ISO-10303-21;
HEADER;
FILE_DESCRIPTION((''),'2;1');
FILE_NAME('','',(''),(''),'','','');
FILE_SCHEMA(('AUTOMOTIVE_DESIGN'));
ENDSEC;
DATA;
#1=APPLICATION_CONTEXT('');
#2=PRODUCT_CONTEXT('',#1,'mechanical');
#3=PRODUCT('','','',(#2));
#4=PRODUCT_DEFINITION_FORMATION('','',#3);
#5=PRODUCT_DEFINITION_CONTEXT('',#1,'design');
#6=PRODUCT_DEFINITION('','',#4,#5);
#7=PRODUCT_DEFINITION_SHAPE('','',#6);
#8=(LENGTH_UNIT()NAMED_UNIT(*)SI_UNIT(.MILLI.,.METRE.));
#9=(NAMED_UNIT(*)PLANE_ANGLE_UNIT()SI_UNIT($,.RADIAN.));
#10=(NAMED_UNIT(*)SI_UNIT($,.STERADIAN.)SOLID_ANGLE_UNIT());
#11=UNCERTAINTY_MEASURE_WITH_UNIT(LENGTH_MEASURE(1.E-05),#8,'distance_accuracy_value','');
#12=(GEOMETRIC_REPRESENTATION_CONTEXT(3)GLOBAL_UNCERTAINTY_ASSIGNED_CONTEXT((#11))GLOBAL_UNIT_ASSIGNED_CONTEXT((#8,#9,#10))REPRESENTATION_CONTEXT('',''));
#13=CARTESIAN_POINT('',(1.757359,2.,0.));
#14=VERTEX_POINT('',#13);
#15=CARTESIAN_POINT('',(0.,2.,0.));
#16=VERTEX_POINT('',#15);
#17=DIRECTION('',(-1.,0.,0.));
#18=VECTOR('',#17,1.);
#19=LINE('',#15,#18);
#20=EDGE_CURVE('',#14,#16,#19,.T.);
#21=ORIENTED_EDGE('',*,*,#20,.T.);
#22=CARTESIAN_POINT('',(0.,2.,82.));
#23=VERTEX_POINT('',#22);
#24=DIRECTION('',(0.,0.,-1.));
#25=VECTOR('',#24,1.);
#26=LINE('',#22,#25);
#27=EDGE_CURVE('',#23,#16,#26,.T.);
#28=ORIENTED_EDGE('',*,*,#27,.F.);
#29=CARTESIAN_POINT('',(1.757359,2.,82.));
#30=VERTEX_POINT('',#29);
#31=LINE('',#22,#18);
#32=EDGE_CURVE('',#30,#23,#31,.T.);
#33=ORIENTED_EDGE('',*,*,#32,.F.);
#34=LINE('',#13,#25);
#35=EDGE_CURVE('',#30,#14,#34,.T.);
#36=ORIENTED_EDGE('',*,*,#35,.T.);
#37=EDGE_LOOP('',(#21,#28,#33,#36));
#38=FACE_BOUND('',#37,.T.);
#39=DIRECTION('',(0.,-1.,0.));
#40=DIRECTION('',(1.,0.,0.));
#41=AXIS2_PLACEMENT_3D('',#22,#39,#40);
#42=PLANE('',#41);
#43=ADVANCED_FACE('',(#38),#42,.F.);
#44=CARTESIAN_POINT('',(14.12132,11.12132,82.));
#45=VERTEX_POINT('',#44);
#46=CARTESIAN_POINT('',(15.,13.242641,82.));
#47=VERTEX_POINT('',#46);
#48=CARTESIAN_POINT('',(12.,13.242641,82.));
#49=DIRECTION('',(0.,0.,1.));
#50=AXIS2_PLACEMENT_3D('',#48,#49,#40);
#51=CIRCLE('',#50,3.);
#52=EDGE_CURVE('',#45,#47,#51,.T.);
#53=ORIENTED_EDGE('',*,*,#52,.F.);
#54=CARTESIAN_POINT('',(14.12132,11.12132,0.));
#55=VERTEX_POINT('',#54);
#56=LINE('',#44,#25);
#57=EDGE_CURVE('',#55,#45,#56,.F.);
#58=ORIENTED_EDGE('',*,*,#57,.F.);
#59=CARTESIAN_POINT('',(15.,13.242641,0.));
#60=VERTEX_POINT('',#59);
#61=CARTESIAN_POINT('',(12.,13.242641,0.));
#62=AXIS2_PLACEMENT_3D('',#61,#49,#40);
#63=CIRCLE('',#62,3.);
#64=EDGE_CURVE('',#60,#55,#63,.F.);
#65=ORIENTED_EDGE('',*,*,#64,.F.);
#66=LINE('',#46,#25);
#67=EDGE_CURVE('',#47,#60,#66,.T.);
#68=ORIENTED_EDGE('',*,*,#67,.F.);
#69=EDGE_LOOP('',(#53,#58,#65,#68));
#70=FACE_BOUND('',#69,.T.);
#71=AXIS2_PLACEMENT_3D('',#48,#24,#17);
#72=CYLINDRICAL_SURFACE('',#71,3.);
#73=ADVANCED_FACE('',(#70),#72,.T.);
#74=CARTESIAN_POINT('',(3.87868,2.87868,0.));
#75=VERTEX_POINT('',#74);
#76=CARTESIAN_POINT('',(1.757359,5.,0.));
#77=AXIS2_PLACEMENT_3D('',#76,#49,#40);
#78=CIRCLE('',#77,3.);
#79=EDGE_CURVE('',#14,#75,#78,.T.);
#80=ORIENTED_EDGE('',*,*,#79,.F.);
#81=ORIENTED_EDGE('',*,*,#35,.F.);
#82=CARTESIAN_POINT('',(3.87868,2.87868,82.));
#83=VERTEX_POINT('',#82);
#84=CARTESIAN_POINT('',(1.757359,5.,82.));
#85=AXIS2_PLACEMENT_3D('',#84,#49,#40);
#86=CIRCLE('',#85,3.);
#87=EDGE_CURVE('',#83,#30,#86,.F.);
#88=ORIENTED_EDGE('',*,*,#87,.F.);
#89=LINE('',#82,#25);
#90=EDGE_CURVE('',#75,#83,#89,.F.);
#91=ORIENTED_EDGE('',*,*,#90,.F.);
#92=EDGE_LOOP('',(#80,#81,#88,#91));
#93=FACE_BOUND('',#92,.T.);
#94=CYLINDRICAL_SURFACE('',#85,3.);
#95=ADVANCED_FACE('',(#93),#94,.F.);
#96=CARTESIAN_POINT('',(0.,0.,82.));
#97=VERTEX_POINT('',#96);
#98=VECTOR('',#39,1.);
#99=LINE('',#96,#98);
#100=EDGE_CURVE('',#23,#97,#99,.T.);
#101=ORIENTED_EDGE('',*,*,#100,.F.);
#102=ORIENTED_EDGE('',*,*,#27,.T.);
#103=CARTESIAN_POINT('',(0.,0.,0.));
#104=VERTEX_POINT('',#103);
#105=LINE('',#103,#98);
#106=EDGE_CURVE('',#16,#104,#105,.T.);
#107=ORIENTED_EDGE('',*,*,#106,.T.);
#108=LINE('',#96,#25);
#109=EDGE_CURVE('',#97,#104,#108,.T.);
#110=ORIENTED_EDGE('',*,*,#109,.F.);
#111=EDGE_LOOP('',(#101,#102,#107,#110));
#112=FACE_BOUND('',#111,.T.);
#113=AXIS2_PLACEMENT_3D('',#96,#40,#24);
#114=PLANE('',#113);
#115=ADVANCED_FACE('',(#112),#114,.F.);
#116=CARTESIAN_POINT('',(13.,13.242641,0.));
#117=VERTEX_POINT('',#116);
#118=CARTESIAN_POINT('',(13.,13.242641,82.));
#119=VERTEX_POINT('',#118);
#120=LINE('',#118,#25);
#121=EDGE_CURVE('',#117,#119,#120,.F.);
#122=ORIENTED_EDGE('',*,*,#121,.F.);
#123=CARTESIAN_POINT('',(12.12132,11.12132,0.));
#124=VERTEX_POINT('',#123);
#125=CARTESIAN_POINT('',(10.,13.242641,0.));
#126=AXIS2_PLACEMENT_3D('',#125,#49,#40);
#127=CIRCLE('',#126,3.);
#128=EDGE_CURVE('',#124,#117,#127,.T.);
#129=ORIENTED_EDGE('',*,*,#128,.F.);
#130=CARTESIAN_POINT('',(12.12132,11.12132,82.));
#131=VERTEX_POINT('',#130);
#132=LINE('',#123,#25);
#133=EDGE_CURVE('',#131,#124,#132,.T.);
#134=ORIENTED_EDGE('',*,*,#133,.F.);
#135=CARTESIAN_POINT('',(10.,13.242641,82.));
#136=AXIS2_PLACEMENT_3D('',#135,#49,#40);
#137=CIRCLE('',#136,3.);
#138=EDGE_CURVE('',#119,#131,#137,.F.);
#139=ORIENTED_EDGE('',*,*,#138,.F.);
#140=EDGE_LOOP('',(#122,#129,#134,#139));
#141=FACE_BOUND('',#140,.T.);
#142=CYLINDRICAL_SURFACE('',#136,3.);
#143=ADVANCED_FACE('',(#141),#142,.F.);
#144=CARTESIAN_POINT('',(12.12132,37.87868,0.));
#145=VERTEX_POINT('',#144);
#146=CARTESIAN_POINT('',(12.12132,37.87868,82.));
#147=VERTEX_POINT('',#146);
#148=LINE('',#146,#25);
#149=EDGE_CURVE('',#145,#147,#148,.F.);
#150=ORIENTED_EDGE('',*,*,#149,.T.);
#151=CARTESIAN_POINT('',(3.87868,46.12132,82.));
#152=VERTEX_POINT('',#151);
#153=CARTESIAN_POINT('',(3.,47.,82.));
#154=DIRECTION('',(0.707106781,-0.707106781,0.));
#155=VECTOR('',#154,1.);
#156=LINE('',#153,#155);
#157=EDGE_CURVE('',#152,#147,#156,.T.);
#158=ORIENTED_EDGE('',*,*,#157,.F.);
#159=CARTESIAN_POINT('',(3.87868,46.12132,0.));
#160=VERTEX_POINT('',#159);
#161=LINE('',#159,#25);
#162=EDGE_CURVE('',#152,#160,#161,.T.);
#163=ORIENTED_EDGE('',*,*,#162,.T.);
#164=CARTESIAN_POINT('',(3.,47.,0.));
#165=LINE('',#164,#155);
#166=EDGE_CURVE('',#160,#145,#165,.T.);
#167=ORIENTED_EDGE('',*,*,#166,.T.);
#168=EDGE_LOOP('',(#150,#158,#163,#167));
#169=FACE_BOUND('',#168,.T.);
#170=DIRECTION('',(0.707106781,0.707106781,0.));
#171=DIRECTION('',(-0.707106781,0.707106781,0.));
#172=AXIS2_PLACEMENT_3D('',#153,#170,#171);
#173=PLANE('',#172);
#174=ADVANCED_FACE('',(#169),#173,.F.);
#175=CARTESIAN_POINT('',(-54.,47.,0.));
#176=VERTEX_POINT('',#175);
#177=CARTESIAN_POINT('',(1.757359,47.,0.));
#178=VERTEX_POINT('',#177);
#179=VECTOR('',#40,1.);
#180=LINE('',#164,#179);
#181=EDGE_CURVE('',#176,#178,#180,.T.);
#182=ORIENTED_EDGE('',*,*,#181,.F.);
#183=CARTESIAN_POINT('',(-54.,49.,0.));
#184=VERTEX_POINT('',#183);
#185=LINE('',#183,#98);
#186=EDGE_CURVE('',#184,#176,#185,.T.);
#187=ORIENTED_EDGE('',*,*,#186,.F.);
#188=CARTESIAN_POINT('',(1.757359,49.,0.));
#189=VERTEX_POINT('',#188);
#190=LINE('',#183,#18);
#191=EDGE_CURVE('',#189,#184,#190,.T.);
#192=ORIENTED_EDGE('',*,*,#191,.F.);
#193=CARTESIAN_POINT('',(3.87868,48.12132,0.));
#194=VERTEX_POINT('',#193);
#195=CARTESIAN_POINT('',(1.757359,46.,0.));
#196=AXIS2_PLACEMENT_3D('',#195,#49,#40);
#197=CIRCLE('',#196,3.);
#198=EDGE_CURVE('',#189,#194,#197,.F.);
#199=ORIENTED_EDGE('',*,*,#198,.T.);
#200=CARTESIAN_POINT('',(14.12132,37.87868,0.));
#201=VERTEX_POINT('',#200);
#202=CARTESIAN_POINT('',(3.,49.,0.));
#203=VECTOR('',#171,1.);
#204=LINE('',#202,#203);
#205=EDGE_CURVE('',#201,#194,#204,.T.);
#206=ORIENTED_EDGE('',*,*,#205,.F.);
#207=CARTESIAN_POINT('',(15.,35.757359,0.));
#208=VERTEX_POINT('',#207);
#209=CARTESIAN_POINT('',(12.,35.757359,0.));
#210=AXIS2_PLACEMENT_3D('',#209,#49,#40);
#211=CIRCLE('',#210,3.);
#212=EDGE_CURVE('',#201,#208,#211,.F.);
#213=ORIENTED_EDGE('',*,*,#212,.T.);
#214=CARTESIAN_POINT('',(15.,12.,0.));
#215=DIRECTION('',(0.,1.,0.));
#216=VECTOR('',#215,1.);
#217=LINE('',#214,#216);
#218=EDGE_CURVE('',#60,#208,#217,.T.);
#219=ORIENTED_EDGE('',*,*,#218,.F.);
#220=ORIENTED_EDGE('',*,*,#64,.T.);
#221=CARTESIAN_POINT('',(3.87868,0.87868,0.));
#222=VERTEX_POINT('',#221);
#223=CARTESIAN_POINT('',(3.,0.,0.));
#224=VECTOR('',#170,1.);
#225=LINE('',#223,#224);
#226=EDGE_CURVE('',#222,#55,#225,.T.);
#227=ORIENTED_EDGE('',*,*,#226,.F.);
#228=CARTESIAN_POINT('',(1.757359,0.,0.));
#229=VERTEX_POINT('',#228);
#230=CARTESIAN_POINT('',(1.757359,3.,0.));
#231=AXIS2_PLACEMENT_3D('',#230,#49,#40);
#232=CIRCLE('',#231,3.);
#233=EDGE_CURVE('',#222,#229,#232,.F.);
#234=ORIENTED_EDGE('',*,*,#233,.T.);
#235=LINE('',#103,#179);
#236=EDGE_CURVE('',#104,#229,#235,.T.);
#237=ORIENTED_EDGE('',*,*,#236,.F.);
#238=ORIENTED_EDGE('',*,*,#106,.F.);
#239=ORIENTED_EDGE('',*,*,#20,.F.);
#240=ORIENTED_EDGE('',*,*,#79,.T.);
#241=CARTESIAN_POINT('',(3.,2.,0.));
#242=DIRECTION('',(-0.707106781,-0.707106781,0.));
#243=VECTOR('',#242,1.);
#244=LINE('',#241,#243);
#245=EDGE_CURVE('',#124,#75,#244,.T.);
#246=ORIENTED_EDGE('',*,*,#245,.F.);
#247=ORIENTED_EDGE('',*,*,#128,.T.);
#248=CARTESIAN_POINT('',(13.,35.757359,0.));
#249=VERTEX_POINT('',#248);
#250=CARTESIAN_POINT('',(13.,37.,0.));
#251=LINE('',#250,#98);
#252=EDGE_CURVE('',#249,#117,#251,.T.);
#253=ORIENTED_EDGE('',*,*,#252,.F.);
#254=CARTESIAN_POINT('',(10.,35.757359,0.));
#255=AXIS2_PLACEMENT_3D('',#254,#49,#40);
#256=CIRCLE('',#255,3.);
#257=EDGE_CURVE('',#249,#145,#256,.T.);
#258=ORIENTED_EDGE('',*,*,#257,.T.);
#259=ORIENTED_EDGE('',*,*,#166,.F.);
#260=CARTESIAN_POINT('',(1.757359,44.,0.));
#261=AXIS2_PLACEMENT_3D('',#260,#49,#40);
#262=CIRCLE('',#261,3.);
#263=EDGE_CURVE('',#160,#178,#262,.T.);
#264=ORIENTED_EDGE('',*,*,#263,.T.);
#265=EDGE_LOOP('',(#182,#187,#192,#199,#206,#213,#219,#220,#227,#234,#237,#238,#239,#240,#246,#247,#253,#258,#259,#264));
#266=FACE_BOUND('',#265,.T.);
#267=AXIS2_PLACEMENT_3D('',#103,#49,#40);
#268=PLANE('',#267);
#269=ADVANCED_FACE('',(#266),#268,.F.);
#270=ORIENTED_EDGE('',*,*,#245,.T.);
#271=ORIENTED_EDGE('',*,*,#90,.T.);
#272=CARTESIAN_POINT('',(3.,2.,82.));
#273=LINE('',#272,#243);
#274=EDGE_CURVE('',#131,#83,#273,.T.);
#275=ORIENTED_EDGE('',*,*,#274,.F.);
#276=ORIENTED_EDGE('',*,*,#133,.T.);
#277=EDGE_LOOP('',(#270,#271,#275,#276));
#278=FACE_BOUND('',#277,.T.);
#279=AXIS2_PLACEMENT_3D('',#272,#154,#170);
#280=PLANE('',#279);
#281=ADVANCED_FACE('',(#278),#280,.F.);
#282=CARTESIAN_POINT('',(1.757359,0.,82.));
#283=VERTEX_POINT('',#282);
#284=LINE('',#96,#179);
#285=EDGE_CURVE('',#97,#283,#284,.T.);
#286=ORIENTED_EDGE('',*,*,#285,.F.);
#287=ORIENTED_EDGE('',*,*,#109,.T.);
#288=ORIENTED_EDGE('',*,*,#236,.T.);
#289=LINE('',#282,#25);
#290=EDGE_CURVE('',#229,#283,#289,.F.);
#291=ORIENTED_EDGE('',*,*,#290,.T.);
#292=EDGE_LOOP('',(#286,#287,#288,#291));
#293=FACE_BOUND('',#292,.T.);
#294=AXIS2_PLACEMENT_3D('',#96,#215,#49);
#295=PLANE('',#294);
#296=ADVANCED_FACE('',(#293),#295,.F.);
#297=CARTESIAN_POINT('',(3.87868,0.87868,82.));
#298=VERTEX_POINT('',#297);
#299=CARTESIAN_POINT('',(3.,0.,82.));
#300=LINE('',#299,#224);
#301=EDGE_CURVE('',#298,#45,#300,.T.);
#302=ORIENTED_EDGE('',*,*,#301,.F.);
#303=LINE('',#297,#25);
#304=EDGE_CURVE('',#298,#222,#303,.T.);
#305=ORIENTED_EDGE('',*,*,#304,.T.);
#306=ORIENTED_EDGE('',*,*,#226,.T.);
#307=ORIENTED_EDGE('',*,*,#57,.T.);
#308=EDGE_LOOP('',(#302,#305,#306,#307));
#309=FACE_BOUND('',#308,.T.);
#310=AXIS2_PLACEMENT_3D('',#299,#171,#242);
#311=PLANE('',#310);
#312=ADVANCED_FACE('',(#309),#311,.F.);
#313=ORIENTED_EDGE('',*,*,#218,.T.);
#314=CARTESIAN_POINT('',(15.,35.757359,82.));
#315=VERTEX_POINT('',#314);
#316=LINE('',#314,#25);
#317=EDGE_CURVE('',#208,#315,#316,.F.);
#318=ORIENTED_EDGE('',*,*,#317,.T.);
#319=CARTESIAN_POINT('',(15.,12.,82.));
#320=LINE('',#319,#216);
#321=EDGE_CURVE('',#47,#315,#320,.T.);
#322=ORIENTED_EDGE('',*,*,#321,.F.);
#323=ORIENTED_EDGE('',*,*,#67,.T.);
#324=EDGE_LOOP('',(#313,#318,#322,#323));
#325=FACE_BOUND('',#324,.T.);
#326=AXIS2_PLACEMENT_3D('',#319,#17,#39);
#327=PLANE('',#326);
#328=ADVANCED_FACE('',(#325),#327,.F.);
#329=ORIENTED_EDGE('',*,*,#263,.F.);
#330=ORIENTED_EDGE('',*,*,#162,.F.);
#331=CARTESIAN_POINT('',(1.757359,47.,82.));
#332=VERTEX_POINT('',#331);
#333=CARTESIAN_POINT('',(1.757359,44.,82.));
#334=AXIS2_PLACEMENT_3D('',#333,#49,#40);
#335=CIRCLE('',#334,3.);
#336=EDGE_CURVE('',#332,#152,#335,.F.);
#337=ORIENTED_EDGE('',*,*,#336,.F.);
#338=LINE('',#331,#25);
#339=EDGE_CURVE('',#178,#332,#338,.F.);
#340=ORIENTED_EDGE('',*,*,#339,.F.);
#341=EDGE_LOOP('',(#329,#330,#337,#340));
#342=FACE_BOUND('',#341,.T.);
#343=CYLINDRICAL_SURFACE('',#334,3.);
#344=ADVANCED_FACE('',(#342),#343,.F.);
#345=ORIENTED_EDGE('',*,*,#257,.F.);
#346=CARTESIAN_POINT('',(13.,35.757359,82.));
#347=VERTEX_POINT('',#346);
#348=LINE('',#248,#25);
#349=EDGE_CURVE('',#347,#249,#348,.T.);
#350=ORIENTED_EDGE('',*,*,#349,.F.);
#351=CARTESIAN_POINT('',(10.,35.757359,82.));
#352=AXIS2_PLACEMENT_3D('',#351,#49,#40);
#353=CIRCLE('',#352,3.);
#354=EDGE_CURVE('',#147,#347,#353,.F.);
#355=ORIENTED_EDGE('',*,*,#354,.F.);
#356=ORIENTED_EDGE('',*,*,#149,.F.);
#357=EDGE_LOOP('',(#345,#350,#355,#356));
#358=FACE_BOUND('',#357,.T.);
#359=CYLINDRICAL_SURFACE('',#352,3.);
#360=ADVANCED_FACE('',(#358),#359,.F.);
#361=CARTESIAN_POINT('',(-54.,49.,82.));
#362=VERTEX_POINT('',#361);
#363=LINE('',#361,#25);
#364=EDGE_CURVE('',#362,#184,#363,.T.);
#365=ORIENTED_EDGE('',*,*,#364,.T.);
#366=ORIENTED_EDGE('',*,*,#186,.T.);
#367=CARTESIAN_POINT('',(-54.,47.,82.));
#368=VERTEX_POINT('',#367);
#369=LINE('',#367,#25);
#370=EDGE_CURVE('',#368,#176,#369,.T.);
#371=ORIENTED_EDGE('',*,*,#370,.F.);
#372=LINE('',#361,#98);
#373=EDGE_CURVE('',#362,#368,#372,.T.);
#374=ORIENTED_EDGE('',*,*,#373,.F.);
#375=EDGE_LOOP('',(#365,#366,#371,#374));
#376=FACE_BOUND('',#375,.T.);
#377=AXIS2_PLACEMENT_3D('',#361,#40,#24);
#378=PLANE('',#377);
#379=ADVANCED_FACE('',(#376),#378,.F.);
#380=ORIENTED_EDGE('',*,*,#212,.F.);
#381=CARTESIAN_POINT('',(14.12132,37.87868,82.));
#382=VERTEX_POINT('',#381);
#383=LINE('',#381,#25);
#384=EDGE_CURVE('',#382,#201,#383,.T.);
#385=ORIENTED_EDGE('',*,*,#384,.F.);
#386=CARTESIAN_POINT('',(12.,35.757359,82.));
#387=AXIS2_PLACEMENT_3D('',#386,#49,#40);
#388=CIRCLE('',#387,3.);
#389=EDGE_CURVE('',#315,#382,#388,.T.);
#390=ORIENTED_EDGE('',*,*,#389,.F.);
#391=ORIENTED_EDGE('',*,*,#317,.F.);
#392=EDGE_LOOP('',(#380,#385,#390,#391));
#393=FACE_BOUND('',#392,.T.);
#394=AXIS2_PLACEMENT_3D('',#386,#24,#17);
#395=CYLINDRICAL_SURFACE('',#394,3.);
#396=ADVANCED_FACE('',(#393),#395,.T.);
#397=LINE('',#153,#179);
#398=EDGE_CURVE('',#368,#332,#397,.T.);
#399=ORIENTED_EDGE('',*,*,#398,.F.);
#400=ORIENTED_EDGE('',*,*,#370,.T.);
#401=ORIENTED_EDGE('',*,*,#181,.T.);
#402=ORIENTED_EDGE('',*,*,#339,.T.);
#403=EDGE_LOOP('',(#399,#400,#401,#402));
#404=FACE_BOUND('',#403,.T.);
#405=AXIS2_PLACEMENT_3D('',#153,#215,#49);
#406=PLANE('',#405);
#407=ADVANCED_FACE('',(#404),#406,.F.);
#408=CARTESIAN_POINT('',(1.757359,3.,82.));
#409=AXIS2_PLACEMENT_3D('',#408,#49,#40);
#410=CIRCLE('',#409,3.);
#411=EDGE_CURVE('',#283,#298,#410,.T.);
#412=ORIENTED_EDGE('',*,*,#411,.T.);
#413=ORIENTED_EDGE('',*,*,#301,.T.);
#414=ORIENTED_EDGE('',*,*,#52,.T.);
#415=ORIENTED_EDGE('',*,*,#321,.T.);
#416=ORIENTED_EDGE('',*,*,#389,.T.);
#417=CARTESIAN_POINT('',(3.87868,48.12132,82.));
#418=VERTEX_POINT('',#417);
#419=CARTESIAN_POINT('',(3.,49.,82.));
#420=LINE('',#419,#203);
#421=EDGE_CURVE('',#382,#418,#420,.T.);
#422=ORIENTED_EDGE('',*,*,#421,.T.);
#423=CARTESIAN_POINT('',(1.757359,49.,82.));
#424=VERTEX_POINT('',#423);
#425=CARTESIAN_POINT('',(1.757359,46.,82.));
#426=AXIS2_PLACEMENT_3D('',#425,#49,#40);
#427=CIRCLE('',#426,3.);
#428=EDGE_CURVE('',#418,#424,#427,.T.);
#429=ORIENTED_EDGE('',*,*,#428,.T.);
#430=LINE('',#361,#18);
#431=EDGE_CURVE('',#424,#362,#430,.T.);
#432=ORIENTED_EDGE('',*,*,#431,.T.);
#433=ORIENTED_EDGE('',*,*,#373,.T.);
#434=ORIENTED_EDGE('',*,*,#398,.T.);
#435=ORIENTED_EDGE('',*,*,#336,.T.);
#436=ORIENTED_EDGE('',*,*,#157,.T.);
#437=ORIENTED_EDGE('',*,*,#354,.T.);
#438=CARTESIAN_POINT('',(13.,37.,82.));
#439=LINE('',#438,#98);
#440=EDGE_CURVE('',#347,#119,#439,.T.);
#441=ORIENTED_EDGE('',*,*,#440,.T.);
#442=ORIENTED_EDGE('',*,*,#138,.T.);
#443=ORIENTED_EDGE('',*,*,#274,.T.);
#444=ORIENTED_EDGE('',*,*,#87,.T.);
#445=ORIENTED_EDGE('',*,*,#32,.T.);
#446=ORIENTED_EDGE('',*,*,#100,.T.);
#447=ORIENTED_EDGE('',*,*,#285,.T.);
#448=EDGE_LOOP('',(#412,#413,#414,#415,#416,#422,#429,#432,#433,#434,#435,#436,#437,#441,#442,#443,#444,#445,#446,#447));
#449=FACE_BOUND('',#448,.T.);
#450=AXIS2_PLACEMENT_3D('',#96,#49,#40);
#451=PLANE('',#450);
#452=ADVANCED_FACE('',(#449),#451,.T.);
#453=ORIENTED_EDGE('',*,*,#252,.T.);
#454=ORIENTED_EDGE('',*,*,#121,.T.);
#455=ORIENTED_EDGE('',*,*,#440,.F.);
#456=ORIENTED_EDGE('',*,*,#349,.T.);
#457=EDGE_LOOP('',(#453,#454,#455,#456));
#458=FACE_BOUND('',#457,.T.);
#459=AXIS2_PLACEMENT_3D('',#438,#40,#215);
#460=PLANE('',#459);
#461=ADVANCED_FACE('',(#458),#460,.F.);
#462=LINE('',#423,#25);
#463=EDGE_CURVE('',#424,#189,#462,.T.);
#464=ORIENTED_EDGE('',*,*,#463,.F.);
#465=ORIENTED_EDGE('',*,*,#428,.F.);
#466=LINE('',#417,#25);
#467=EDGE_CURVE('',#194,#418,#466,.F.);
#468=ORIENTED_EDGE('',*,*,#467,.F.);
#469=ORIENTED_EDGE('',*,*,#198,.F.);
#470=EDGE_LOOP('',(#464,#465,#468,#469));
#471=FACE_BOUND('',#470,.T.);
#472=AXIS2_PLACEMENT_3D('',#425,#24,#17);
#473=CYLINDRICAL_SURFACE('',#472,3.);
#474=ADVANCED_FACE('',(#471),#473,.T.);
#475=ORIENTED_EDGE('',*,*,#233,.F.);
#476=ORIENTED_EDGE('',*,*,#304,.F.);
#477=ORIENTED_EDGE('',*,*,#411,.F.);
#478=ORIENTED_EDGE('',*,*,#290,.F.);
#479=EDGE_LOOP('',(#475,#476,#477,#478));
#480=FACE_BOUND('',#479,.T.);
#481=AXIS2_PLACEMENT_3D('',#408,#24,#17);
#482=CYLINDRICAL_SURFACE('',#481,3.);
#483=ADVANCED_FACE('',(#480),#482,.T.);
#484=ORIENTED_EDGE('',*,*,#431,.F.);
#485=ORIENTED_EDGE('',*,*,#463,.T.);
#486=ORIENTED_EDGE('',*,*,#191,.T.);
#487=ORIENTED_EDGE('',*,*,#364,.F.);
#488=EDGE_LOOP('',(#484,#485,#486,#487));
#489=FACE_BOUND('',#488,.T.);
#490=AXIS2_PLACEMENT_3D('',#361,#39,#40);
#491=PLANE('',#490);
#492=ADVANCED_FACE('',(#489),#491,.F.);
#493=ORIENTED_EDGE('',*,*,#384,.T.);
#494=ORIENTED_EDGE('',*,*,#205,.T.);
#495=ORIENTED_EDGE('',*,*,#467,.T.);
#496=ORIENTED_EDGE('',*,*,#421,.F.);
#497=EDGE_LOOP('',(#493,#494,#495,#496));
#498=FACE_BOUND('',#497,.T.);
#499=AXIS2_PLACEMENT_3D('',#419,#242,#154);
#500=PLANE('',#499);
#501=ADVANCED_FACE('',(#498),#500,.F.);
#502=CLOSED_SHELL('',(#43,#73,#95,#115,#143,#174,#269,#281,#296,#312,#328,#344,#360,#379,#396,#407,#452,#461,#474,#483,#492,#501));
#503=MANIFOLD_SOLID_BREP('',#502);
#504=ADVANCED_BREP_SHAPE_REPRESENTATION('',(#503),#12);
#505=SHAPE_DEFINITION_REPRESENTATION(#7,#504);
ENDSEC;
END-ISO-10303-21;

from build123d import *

# Parameters (mm, degrees)
EXTRUDE_1_DEPTH = 82
FILLET_1_R      = 3


with BuildPart() as part:
    # 草图1 → 凸台-拉伸1 (new body)
    with BuildSketch(Plane.XY):
        Polygon((0, 0), (0, 2), (3, 2), (13, 12), (13, 37), (3, 47), (-54, 47), (-54, 49), (3, 49), (15, 37), (15, 12), (3, 0), align=None)
    extrude(amount=EXTRUDE_1_DEPTH)

    # 圆角1
    fillet_1_edges = [part.edges().sort_by_distance(p)[0] for p in [
        (3, 2, 41),
        (13, 12, 41),
        (13, 37, 41),
        (3, 47, 41),
        (3, 49, 41),
        (15, 37, 41),
        (15, 12, 41),
        (3, 0, 41),
    ]]
    fillet(fillet_1_edges, radius=FILLET_1_R)


solid = part.part
